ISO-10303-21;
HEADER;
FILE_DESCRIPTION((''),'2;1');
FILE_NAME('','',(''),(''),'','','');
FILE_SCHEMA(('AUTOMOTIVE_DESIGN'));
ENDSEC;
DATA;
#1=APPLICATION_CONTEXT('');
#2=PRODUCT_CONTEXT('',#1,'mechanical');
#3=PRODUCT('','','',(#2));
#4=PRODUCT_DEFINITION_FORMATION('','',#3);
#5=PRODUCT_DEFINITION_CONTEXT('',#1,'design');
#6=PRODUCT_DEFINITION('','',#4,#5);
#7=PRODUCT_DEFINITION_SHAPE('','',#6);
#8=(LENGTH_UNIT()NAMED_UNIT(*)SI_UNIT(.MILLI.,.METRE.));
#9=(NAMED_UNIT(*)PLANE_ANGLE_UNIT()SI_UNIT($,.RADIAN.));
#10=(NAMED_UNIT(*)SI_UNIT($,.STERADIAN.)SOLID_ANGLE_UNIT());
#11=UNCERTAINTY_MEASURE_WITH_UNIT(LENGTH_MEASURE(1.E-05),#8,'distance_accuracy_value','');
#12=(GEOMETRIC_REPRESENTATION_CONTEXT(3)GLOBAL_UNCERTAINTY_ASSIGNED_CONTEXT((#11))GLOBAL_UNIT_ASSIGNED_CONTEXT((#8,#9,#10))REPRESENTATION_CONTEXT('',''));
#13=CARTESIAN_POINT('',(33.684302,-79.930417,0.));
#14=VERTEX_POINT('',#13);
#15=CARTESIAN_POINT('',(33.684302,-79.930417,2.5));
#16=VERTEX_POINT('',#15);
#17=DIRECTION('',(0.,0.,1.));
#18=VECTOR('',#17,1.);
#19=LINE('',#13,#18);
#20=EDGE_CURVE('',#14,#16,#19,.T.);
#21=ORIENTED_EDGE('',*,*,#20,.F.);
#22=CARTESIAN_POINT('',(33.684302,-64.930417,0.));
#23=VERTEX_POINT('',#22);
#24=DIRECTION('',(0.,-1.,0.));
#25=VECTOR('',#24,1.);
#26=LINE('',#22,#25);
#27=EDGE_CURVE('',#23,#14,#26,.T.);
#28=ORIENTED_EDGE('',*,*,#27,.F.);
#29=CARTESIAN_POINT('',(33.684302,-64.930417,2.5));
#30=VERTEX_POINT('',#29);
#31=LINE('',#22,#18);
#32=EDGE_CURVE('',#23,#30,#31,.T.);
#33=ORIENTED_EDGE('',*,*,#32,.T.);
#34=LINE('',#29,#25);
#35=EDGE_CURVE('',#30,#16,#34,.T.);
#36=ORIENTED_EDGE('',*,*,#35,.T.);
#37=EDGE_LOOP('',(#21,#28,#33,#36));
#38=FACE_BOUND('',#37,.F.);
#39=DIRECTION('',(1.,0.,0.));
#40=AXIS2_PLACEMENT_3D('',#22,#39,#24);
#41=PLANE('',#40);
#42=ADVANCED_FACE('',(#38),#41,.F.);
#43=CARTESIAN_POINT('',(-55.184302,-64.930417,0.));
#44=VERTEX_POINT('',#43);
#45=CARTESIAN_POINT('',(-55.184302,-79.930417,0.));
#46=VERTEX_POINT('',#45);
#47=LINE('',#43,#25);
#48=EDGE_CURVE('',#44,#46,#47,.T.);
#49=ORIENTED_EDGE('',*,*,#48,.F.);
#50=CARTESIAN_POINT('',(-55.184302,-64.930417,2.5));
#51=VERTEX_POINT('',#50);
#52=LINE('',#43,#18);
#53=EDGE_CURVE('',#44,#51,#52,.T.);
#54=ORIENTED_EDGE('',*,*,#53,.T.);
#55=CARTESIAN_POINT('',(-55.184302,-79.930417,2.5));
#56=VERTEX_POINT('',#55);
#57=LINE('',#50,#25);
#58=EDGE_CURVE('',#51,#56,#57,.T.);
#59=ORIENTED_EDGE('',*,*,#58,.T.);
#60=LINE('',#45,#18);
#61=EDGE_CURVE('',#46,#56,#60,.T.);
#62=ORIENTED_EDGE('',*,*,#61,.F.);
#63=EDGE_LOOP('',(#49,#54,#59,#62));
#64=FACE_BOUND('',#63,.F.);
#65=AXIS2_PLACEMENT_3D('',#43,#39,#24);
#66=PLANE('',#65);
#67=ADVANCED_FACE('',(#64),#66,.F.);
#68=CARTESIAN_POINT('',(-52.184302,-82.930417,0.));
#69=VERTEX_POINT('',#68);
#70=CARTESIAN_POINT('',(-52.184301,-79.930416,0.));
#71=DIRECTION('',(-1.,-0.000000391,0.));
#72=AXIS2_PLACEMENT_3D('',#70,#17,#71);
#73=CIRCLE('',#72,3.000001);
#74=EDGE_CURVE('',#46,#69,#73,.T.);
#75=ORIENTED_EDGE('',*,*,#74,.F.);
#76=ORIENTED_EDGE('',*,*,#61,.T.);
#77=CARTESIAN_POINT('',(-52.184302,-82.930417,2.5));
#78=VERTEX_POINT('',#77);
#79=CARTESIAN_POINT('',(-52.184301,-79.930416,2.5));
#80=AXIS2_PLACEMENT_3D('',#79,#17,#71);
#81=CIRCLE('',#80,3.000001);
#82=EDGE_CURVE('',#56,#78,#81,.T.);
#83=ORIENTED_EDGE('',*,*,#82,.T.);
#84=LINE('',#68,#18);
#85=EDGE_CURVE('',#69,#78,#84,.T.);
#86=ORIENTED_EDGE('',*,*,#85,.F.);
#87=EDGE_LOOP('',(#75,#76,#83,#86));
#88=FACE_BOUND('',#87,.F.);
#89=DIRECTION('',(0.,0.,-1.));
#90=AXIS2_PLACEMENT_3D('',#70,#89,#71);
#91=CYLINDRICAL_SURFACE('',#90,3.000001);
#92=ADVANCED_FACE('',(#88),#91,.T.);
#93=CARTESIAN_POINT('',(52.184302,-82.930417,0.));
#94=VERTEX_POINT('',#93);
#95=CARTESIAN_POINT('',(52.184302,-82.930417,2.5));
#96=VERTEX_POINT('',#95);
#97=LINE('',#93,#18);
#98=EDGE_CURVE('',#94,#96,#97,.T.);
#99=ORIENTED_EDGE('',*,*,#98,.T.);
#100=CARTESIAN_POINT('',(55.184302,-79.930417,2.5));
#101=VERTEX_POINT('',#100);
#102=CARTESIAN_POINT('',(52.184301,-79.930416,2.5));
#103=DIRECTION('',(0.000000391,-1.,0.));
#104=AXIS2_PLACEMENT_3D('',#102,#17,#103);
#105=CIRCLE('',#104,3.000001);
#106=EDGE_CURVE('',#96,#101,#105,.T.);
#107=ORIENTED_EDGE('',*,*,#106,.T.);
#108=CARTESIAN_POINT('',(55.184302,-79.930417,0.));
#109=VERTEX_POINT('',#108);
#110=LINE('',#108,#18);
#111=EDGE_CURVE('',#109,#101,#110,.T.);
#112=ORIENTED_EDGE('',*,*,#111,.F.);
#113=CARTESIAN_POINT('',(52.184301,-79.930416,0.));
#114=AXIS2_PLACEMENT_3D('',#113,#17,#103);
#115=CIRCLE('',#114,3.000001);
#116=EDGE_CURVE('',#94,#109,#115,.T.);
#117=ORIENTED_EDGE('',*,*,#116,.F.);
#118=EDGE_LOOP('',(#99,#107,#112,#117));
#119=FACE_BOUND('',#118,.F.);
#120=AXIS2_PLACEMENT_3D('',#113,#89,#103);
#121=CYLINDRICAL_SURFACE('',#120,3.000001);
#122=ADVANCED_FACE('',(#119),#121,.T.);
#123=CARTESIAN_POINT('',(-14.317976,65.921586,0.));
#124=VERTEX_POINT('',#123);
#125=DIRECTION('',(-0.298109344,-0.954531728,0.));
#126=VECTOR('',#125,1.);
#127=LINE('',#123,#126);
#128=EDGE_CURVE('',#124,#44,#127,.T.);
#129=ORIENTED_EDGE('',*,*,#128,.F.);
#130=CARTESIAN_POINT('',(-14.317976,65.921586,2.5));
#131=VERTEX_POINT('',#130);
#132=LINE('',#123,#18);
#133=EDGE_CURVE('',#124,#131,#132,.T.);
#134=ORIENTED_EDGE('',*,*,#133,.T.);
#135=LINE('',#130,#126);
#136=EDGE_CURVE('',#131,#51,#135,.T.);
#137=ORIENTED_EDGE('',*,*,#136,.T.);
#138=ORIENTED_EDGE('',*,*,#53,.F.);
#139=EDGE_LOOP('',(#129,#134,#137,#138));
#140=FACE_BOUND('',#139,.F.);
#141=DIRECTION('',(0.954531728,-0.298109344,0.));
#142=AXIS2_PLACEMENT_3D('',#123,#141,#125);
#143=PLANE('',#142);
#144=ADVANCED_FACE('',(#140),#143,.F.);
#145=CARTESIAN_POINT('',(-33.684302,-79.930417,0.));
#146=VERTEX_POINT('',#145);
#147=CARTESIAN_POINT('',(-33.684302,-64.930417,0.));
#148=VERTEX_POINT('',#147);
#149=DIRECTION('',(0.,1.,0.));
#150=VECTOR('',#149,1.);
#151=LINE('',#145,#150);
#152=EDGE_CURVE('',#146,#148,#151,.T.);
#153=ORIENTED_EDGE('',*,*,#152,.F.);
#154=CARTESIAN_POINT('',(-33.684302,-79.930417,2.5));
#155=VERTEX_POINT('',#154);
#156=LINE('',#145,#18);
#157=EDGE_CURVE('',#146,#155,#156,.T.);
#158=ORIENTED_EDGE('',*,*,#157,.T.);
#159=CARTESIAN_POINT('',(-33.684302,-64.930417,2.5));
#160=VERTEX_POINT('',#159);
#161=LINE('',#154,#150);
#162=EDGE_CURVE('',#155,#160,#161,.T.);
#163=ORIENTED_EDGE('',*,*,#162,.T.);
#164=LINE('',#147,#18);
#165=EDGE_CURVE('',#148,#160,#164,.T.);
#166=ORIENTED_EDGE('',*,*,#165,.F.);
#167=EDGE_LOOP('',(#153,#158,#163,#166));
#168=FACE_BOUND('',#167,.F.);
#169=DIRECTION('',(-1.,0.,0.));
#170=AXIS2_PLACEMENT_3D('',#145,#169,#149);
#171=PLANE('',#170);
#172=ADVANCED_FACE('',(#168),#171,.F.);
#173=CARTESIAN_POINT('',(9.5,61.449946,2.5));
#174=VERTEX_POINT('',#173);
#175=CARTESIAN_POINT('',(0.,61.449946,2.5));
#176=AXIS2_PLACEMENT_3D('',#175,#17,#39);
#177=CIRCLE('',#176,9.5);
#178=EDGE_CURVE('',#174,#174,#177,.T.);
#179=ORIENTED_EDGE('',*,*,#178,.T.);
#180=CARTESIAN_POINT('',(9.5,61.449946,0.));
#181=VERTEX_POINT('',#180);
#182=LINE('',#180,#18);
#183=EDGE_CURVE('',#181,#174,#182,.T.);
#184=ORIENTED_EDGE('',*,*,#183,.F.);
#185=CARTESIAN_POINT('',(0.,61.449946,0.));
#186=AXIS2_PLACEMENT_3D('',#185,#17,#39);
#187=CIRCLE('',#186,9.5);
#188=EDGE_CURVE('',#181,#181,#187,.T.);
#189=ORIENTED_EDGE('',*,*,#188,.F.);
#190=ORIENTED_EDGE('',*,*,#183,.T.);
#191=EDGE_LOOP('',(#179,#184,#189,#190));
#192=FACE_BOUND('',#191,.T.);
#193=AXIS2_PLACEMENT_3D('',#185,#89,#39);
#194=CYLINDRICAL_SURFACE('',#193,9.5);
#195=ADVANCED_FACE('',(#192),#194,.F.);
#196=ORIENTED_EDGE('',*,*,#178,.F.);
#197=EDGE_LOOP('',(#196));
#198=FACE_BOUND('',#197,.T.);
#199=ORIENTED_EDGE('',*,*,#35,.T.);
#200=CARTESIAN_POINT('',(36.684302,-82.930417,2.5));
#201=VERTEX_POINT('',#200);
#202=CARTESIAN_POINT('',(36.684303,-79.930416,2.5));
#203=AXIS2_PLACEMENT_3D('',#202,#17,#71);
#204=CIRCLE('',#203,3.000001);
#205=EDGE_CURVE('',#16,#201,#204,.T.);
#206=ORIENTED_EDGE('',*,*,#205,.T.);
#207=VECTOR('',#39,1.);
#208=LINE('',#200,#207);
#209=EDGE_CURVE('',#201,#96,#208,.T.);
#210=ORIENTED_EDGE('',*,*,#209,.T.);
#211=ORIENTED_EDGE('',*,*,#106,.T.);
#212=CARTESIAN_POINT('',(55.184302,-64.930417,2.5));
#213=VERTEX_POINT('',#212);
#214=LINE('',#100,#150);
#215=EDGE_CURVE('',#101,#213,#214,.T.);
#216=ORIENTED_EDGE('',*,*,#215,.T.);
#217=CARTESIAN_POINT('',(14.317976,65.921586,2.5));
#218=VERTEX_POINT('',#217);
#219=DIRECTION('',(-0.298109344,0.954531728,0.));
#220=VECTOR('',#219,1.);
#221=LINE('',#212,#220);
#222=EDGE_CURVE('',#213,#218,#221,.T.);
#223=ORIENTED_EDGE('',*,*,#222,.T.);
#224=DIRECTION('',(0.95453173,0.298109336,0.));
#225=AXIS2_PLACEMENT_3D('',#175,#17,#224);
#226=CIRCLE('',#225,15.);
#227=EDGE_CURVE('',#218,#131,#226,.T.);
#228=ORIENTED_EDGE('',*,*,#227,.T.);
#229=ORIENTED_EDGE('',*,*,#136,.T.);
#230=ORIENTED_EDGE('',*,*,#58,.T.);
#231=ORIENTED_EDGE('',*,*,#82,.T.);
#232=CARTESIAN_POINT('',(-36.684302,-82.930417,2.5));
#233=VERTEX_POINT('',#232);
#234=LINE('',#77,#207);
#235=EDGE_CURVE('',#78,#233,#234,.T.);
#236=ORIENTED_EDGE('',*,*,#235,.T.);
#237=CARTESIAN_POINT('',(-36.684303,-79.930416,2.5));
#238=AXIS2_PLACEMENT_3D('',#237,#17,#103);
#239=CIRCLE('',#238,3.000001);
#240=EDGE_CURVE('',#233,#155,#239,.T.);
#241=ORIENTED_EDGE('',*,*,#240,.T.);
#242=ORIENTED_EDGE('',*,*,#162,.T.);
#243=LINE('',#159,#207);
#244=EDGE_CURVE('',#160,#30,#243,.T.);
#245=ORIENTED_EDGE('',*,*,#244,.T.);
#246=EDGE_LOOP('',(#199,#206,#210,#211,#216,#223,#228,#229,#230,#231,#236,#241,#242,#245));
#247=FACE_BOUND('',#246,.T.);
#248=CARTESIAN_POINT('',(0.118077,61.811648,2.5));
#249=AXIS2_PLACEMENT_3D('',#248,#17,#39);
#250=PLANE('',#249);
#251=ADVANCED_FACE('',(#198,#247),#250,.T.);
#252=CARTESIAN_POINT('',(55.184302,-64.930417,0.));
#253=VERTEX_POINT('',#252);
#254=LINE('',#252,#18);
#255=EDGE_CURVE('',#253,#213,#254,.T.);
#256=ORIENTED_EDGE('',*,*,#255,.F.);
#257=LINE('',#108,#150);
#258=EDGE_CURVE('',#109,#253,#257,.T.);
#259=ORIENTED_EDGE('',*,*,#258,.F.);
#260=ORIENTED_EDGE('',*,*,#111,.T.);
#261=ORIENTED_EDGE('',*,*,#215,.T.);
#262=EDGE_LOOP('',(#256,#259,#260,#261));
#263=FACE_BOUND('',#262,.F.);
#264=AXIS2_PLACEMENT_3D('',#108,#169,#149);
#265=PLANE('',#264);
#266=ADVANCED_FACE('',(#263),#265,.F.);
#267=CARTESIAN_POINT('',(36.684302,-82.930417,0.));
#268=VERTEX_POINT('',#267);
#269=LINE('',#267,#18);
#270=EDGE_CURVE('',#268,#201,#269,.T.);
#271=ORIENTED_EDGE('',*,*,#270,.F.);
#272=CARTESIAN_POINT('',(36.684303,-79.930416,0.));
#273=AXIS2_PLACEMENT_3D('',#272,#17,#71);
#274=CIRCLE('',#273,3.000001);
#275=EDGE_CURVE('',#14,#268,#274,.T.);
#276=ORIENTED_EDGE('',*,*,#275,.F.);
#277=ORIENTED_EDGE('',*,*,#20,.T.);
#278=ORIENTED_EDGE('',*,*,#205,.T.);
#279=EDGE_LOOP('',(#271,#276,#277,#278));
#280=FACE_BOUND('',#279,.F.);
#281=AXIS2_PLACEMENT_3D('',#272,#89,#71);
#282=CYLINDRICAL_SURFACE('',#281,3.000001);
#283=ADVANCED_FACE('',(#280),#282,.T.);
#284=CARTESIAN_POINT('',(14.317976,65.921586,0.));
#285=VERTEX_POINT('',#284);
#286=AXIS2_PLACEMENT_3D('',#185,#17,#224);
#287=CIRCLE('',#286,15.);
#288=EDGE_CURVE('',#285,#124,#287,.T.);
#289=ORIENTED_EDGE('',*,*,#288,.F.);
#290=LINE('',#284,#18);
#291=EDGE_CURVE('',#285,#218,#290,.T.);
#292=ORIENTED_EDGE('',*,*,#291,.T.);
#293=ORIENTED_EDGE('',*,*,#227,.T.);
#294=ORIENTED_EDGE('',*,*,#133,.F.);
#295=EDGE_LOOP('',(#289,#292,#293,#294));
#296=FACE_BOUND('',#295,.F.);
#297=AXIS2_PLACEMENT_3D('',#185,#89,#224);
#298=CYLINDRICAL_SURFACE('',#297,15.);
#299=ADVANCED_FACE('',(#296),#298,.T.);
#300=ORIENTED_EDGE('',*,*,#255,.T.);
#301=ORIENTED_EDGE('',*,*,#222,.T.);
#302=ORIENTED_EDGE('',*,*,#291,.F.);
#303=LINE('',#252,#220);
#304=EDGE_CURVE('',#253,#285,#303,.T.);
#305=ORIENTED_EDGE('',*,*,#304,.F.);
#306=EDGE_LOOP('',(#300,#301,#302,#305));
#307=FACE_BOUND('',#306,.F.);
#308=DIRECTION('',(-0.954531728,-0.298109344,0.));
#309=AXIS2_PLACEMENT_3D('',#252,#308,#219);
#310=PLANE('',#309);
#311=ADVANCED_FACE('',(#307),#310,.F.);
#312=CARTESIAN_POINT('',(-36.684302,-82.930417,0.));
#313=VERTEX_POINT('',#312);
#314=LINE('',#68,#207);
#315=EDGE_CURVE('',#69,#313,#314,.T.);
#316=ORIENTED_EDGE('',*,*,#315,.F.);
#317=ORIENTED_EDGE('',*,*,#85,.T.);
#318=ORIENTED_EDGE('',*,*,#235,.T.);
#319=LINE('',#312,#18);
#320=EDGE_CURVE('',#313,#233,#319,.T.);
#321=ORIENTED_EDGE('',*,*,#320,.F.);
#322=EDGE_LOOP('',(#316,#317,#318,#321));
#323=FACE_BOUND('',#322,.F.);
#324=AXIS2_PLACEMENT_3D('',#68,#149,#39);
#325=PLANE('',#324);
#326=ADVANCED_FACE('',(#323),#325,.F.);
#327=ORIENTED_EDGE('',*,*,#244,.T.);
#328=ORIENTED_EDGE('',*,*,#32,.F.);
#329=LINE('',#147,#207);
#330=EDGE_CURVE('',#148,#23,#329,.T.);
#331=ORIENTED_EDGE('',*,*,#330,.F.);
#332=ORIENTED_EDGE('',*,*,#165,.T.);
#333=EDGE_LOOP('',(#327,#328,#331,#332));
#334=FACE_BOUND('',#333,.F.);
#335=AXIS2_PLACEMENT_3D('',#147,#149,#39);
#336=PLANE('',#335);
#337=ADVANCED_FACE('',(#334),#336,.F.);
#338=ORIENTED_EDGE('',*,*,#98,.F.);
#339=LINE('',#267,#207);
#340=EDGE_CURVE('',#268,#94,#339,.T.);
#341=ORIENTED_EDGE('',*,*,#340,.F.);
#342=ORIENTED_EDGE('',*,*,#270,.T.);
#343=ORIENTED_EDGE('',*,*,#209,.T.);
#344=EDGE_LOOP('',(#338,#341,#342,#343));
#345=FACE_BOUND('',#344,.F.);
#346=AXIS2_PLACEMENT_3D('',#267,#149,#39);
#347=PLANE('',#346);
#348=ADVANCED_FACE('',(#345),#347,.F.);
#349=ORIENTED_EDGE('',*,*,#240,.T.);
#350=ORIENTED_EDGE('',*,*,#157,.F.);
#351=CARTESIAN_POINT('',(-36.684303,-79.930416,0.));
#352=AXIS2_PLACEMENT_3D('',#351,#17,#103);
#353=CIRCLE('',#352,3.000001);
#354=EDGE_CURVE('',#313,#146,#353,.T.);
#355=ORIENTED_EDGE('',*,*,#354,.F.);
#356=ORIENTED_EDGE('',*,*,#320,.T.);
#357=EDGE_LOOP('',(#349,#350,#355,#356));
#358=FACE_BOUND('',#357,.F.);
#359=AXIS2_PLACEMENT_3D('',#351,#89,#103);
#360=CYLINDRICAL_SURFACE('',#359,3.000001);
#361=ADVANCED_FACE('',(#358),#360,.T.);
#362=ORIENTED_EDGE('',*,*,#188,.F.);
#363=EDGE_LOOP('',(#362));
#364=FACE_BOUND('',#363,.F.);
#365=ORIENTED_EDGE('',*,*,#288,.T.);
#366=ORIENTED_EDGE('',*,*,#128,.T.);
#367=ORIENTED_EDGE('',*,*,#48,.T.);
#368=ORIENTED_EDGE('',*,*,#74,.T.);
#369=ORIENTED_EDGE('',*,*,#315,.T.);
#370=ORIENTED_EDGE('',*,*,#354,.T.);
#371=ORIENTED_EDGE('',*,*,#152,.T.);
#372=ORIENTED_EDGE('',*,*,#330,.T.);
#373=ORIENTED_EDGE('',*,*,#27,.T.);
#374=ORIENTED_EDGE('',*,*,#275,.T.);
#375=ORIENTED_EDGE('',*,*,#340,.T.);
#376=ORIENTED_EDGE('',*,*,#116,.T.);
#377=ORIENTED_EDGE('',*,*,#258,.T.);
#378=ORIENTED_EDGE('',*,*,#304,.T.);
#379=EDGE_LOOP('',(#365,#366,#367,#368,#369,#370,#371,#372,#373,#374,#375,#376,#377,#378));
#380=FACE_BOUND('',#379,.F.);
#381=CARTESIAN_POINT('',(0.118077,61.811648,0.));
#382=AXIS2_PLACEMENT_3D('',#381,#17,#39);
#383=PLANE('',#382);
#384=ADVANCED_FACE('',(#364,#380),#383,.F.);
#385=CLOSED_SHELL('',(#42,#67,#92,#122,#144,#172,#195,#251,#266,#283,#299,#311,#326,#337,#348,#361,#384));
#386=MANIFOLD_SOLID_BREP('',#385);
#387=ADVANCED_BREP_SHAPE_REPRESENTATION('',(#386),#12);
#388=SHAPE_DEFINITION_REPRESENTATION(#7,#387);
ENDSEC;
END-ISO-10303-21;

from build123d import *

# Parameters (mm, degrees)
F0_R     = 9.5
F1_DEPTH = 2.5


with BuildPart() as f1:
    # F0 (on Top) → F1 (new body)
    with BuildSketch(Plane.XY):
        with BuildLine():
            ThreePointArc((-14.317976, 65.921586), (-2.261677, 46.621432), (15, 61.449946))
            ThreePointArc((15, 61.449946), (14.828514, 63.711623), (14.317976, 65.921586))
            ThreePointArc((14.317976, 65.921586), (0, 76.449946), (-14.317976, 65.921586))
        make_face()
        with Locations((0, 61.449946)):
            Circle(F0_R, mode=Mode.SUBTRACT)
        with BuildLine():
            ThreePointArc((14.317976, 65.921586), (14.828514, 63.711623), (15, 61.449946))
            ThreePointArc((15, 61.449946), (-2.261677, 46.621432), (-14.317976, 65.921586))
            Line((-14.317976, 65.921586), (-55.184302, -64.930417))
            Line((-55.184302, -64.930417), (-55.184302, -79.930417))
            ThreePointArc((-55.184302, -79.930417), (-54.305622, -82.051737), (-52.184302, -82.930417))
            Line((-52.184302, -82.930417), (-36.684302, -82.930417))
            ThreePointArc((-36.684302, -82.930417), (-34.562982, -82.051737), (-33.684302, -79.930417))
            Line((-33.684302, -79.930417), (-33.684302, -64.930417))
            Line((-33.684302, -64.930417), (33.684302, -64.930417))
            Line((33.684302, -64.930417), (33.684302, -79.930417))
            ThreePointArc((33.684302, -79.930417), (34.562982, -82.051737), (36.684302, -82.930417))
            Line((36.684302, -82.930417), (52.184302, -82.930417))
            ThreePointArc((52.184302, -82.930417), (54.305622, -82.051737), (55.184302, -79.930417))
            Line((55.184302, -79.930417), (55.184302, -64.930417))
            Line((55.184302, -64.930417), (14.317976, 65.921586))
        make_face()
    extrude(amount=F1_DEPTH)


solid = f1.part
